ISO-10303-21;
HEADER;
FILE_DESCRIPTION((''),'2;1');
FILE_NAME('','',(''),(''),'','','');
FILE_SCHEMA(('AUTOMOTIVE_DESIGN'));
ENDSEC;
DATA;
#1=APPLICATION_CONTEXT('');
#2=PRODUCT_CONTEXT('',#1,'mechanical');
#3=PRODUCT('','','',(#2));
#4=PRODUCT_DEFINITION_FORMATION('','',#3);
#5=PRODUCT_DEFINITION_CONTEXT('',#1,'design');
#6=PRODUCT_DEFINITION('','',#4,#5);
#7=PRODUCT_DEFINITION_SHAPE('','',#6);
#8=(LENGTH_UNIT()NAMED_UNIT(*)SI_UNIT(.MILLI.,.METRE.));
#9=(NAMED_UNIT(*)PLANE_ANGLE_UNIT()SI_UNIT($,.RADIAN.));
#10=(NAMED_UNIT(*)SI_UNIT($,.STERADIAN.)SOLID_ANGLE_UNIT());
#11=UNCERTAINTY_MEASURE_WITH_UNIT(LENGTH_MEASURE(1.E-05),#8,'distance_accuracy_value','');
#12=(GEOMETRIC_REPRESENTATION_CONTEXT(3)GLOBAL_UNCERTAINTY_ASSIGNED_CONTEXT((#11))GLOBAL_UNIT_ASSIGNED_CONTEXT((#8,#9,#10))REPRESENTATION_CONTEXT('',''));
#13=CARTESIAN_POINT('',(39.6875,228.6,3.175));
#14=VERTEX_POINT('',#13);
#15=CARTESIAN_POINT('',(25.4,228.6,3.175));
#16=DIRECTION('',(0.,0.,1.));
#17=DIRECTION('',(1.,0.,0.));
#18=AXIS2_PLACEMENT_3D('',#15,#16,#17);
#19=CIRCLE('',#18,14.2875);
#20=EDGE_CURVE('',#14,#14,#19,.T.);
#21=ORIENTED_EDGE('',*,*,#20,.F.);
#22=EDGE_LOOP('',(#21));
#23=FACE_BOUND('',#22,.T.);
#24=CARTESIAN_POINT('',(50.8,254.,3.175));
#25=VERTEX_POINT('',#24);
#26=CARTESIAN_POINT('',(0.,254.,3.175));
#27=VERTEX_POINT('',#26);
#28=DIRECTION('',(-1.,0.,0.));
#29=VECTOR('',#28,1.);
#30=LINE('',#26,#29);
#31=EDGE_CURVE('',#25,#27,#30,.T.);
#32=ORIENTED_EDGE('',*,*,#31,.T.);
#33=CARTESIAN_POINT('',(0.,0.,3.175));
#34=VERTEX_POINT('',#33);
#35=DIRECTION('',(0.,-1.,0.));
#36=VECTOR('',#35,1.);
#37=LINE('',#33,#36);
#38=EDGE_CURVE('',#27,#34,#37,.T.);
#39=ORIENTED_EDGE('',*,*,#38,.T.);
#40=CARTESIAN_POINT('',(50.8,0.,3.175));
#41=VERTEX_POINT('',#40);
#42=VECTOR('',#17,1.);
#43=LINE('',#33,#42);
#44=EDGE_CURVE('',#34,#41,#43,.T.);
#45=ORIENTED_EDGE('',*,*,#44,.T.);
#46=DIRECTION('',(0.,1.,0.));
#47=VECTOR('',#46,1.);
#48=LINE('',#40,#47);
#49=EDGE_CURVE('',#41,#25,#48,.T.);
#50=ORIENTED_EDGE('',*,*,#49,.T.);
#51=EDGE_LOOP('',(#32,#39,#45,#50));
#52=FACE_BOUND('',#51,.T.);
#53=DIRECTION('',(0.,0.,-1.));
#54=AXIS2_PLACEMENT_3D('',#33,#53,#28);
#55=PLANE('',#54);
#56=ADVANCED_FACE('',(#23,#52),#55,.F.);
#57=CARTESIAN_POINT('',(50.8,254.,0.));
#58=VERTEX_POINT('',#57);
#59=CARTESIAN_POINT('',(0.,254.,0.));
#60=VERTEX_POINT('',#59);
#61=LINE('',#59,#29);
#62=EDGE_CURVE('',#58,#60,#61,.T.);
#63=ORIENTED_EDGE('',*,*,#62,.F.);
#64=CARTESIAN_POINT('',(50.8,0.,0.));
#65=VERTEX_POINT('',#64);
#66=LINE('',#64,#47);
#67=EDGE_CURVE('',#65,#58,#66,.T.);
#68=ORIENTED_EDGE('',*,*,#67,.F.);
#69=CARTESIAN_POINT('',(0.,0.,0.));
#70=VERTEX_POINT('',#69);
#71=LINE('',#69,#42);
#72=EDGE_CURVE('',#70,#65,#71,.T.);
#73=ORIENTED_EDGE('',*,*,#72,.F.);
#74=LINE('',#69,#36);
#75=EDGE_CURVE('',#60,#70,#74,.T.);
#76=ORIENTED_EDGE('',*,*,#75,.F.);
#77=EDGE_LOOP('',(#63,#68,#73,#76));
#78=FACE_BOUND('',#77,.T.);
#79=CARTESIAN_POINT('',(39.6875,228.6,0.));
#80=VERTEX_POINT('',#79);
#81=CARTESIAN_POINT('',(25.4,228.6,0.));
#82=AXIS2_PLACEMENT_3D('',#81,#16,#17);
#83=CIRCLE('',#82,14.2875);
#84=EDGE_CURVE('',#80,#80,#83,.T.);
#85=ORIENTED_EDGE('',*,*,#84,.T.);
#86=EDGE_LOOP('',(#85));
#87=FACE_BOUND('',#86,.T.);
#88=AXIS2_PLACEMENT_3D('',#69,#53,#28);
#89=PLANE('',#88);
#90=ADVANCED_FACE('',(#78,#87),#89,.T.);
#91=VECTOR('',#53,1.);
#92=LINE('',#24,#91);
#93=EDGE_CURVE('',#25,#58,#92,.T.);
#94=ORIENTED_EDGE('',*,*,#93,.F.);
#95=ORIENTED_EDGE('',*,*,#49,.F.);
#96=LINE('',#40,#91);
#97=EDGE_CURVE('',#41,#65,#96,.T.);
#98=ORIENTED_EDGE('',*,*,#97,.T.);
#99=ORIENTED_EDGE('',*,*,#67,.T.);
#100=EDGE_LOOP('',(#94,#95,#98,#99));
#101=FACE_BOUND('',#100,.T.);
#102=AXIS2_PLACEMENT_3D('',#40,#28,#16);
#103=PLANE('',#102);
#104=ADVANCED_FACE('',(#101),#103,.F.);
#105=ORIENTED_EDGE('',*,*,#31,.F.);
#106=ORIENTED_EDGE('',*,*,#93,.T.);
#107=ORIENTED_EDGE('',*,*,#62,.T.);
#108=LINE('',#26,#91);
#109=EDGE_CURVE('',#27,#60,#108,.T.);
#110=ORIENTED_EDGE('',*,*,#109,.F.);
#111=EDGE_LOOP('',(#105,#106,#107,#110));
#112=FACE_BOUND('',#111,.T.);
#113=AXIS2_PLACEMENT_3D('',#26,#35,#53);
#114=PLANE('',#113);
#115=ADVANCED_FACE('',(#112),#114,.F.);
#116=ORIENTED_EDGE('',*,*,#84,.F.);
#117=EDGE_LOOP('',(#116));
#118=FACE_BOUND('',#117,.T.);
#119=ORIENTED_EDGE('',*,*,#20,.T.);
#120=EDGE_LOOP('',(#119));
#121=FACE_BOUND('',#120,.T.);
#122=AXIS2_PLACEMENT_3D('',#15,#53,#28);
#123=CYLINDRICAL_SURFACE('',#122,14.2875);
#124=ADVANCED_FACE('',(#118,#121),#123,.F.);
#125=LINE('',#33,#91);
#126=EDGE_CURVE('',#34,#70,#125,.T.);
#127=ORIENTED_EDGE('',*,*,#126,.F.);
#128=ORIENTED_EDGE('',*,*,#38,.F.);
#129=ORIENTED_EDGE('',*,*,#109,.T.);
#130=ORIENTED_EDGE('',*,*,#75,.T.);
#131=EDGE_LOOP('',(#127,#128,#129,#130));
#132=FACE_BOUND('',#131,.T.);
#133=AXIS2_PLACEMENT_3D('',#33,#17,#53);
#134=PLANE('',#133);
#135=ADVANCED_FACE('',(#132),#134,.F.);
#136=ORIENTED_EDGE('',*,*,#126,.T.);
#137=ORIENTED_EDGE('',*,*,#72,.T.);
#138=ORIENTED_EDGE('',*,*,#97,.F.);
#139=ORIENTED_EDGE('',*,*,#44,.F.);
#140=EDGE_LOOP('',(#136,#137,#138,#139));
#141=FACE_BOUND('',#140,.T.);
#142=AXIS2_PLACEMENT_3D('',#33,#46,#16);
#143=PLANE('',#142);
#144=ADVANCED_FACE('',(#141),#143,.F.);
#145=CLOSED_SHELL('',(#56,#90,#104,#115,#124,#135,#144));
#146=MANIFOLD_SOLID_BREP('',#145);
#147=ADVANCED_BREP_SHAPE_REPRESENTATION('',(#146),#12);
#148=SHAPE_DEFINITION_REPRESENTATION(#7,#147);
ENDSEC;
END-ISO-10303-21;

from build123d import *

# Parameters (mm, degrees)
SKETCH1_W           = 50.8
SKETCH1_H           = 254
SKETCH1_R           = 14.2875
BOSS_EXTRUDE1_DEPTH = 3.175


with BuildPart() as part:
    # Sketch1 → Boss-Extrude1 (new body)
    with BuildSketch(Plane.XY):
        with Locations((25.4, 127)):
            Rectangle(SKETCH1_W, SKETCH1_H)
        with Locations((25.4, 228.6)):
            Circle(SKETCH1_R, mode=Mode.SUBTRACT)
    extrude(amount=BOSS_EXTRUDE1_DEPTH)


solid = part.part
